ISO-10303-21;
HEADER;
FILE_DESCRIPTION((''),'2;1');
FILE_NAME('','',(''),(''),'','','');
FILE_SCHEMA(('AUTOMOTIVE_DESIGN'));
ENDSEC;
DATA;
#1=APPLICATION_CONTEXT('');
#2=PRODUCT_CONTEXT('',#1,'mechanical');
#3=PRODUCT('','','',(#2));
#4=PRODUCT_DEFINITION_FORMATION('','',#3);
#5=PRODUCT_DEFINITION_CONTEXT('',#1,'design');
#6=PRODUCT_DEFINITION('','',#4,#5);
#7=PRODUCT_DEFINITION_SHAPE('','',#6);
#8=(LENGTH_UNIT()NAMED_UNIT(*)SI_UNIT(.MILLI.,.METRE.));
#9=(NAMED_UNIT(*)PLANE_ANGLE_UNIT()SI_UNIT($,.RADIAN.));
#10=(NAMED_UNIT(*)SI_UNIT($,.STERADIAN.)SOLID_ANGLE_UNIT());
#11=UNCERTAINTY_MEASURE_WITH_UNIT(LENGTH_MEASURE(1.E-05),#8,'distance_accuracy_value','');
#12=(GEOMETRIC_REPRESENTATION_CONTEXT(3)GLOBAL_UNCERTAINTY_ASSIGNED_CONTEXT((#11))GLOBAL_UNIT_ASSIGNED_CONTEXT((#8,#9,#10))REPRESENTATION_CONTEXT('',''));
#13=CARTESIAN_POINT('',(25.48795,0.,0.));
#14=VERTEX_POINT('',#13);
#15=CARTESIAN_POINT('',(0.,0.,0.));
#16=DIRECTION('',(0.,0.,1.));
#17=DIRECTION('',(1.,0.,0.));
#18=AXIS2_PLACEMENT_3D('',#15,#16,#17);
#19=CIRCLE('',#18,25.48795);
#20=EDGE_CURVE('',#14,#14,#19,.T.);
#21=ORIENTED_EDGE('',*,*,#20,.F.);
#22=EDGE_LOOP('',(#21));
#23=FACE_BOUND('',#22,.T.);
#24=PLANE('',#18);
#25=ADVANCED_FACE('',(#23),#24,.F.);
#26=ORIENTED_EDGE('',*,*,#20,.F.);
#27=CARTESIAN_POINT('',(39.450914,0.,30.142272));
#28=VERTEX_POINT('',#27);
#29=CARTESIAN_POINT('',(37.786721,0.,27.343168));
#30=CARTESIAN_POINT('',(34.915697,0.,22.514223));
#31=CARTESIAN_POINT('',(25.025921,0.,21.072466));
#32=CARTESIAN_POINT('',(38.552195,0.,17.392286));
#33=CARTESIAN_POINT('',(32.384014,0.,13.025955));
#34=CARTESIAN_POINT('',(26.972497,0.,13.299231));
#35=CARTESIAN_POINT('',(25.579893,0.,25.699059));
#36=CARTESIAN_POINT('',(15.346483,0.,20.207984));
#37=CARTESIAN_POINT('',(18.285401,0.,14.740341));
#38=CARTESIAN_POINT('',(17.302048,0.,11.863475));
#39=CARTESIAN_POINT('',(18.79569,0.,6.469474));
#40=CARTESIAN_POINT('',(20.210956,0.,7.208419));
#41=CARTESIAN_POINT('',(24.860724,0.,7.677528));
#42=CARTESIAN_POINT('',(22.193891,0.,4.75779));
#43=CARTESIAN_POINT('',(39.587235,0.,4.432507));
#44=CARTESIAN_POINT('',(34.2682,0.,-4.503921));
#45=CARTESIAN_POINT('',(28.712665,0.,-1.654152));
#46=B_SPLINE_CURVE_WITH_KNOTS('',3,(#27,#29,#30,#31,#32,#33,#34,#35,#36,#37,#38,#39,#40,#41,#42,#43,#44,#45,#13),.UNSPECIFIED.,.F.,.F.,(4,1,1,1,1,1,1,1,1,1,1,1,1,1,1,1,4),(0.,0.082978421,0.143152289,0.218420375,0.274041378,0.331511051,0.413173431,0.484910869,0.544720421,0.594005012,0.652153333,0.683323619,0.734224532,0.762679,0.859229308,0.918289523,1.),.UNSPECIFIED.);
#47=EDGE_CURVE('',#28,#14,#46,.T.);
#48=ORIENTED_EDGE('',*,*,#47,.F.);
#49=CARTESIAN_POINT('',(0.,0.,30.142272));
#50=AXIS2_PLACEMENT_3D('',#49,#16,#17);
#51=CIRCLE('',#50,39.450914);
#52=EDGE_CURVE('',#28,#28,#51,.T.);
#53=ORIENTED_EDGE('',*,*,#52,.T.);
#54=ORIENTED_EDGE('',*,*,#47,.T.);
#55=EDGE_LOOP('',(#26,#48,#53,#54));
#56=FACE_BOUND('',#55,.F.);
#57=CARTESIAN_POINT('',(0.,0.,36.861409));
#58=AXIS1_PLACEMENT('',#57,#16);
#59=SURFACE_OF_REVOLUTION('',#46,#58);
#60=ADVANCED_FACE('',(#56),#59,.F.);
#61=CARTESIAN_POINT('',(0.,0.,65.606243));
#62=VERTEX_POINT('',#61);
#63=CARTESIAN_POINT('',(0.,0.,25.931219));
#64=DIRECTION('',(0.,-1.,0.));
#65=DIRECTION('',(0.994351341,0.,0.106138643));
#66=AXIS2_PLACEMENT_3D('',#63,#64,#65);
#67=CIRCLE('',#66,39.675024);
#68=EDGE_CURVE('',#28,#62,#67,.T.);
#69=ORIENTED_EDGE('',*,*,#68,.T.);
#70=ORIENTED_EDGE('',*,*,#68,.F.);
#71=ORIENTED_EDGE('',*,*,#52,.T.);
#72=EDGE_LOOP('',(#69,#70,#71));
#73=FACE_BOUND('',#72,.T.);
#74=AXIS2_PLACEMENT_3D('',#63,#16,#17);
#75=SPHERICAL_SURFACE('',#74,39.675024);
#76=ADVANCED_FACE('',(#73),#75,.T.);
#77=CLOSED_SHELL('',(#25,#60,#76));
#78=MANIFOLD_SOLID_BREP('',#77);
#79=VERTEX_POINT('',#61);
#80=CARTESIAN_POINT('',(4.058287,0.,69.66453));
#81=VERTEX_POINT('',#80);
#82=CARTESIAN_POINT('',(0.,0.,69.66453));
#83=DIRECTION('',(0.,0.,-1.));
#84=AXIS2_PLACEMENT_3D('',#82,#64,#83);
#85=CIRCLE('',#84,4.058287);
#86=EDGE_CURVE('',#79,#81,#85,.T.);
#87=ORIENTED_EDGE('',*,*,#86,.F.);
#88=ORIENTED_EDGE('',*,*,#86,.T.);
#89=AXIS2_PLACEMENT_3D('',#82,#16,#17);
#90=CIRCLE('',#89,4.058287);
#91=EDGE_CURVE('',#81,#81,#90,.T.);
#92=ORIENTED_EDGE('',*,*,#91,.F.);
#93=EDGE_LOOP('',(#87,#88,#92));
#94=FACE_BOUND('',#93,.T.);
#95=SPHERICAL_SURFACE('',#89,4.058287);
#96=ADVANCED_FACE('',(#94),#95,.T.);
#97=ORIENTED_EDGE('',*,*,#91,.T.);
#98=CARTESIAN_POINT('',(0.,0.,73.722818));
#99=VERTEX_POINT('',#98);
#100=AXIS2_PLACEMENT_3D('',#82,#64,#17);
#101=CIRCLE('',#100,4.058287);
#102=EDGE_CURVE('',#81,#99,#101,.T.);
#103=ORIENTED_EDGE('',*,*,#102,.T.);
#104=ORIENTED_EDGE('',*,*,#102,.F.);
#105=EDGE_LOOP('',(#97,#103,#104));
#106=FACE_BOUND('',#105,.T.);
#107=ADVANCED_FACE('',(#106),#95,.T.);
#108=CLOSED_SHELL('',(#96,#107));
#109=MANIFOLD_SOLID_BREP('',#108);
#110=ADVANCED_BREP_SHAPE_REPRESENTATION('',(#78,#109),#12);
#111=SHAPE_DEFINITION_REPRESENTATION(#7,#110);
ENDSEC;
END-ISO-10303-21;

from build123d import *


with BuildPart() as f1:
    # F0 (on Front) → F1 (revolve)
    with BuildSketch(Plane.XZ):
        with BuildLine():
            Line((0, 65.6062430084), (0, 0))
            Line((0, 0), (25.4879500717, 0))
            add(Edge.make_bspline(
                [(39.4509136677, 30.1422718912), (37.7867208097, 27.3431675993), (34.9156970472, 22.5142231066), (25.0259213641, 21.0724659109), (38.5521953934, 17.3922857262), (32.3840136795, 13.025955067), (26.9724971198, 13.2992306223), (25.5798926973, 25.6990586469), (15.3464832245, 20.2079840215), (18.2854006317, 14.740341233), (17.3020484798, 11.8634754075), (18.7956901372, 6.4694735754), (20.2109563671, 7.208418719), (24.8607242996, 7.6775281347), (22.1938912589, 4.7577902961), (39.5872348239, 4.4325073796), (34.268200288, -4.5039214533), (28.7126653904, -1.65415155), (25.4879500717, 0)],
                knots=[0, 0, 0, 0, 0.0829784207, 0.1431522893, 0.2184203746, 0.2740413782, 0.3315110508, 0.4131734306, 0.4849108691, 0.5447204209, 0.5940050122, 0.6521533327, 0.6833236189, 0.7342245322, 0.7626790003, 0.8592293079, 0.9182895229, 1, 1, 1, 1], degree=3))
            ThreePointArc((39.4509136677, 30.1422718912), (26.5238941174, 55.4369909481), (0, 65.6062430084))
        make_face()
    revolve(axis=Axis((0, 0, 36.8614089519), (0, 0, 1)))


with BuildPart() as f1b:
    # F0 (on Front) → F1, piece 2 (revolve)
    with BuildSketch(Plane.XZ):
        with BuildLine():
            Line((0, 73.7228179038), (0, 65.6062430084))
            ThreePointArc((0, 65.6062430084), (2.8696425743, 66.7948878818), (4.0582874477, 69.6645304561))
            ThreePointArc((4.0582874477, 69.6645304561), (2.8696425743, 72.5341730303), (0, 73.7228179038))
        make_face()
    revolve(axis=Axis((0, 0, 36.8614089519), (0, 0, 1)))


solid = Compound([f1.part, f1b.part])
